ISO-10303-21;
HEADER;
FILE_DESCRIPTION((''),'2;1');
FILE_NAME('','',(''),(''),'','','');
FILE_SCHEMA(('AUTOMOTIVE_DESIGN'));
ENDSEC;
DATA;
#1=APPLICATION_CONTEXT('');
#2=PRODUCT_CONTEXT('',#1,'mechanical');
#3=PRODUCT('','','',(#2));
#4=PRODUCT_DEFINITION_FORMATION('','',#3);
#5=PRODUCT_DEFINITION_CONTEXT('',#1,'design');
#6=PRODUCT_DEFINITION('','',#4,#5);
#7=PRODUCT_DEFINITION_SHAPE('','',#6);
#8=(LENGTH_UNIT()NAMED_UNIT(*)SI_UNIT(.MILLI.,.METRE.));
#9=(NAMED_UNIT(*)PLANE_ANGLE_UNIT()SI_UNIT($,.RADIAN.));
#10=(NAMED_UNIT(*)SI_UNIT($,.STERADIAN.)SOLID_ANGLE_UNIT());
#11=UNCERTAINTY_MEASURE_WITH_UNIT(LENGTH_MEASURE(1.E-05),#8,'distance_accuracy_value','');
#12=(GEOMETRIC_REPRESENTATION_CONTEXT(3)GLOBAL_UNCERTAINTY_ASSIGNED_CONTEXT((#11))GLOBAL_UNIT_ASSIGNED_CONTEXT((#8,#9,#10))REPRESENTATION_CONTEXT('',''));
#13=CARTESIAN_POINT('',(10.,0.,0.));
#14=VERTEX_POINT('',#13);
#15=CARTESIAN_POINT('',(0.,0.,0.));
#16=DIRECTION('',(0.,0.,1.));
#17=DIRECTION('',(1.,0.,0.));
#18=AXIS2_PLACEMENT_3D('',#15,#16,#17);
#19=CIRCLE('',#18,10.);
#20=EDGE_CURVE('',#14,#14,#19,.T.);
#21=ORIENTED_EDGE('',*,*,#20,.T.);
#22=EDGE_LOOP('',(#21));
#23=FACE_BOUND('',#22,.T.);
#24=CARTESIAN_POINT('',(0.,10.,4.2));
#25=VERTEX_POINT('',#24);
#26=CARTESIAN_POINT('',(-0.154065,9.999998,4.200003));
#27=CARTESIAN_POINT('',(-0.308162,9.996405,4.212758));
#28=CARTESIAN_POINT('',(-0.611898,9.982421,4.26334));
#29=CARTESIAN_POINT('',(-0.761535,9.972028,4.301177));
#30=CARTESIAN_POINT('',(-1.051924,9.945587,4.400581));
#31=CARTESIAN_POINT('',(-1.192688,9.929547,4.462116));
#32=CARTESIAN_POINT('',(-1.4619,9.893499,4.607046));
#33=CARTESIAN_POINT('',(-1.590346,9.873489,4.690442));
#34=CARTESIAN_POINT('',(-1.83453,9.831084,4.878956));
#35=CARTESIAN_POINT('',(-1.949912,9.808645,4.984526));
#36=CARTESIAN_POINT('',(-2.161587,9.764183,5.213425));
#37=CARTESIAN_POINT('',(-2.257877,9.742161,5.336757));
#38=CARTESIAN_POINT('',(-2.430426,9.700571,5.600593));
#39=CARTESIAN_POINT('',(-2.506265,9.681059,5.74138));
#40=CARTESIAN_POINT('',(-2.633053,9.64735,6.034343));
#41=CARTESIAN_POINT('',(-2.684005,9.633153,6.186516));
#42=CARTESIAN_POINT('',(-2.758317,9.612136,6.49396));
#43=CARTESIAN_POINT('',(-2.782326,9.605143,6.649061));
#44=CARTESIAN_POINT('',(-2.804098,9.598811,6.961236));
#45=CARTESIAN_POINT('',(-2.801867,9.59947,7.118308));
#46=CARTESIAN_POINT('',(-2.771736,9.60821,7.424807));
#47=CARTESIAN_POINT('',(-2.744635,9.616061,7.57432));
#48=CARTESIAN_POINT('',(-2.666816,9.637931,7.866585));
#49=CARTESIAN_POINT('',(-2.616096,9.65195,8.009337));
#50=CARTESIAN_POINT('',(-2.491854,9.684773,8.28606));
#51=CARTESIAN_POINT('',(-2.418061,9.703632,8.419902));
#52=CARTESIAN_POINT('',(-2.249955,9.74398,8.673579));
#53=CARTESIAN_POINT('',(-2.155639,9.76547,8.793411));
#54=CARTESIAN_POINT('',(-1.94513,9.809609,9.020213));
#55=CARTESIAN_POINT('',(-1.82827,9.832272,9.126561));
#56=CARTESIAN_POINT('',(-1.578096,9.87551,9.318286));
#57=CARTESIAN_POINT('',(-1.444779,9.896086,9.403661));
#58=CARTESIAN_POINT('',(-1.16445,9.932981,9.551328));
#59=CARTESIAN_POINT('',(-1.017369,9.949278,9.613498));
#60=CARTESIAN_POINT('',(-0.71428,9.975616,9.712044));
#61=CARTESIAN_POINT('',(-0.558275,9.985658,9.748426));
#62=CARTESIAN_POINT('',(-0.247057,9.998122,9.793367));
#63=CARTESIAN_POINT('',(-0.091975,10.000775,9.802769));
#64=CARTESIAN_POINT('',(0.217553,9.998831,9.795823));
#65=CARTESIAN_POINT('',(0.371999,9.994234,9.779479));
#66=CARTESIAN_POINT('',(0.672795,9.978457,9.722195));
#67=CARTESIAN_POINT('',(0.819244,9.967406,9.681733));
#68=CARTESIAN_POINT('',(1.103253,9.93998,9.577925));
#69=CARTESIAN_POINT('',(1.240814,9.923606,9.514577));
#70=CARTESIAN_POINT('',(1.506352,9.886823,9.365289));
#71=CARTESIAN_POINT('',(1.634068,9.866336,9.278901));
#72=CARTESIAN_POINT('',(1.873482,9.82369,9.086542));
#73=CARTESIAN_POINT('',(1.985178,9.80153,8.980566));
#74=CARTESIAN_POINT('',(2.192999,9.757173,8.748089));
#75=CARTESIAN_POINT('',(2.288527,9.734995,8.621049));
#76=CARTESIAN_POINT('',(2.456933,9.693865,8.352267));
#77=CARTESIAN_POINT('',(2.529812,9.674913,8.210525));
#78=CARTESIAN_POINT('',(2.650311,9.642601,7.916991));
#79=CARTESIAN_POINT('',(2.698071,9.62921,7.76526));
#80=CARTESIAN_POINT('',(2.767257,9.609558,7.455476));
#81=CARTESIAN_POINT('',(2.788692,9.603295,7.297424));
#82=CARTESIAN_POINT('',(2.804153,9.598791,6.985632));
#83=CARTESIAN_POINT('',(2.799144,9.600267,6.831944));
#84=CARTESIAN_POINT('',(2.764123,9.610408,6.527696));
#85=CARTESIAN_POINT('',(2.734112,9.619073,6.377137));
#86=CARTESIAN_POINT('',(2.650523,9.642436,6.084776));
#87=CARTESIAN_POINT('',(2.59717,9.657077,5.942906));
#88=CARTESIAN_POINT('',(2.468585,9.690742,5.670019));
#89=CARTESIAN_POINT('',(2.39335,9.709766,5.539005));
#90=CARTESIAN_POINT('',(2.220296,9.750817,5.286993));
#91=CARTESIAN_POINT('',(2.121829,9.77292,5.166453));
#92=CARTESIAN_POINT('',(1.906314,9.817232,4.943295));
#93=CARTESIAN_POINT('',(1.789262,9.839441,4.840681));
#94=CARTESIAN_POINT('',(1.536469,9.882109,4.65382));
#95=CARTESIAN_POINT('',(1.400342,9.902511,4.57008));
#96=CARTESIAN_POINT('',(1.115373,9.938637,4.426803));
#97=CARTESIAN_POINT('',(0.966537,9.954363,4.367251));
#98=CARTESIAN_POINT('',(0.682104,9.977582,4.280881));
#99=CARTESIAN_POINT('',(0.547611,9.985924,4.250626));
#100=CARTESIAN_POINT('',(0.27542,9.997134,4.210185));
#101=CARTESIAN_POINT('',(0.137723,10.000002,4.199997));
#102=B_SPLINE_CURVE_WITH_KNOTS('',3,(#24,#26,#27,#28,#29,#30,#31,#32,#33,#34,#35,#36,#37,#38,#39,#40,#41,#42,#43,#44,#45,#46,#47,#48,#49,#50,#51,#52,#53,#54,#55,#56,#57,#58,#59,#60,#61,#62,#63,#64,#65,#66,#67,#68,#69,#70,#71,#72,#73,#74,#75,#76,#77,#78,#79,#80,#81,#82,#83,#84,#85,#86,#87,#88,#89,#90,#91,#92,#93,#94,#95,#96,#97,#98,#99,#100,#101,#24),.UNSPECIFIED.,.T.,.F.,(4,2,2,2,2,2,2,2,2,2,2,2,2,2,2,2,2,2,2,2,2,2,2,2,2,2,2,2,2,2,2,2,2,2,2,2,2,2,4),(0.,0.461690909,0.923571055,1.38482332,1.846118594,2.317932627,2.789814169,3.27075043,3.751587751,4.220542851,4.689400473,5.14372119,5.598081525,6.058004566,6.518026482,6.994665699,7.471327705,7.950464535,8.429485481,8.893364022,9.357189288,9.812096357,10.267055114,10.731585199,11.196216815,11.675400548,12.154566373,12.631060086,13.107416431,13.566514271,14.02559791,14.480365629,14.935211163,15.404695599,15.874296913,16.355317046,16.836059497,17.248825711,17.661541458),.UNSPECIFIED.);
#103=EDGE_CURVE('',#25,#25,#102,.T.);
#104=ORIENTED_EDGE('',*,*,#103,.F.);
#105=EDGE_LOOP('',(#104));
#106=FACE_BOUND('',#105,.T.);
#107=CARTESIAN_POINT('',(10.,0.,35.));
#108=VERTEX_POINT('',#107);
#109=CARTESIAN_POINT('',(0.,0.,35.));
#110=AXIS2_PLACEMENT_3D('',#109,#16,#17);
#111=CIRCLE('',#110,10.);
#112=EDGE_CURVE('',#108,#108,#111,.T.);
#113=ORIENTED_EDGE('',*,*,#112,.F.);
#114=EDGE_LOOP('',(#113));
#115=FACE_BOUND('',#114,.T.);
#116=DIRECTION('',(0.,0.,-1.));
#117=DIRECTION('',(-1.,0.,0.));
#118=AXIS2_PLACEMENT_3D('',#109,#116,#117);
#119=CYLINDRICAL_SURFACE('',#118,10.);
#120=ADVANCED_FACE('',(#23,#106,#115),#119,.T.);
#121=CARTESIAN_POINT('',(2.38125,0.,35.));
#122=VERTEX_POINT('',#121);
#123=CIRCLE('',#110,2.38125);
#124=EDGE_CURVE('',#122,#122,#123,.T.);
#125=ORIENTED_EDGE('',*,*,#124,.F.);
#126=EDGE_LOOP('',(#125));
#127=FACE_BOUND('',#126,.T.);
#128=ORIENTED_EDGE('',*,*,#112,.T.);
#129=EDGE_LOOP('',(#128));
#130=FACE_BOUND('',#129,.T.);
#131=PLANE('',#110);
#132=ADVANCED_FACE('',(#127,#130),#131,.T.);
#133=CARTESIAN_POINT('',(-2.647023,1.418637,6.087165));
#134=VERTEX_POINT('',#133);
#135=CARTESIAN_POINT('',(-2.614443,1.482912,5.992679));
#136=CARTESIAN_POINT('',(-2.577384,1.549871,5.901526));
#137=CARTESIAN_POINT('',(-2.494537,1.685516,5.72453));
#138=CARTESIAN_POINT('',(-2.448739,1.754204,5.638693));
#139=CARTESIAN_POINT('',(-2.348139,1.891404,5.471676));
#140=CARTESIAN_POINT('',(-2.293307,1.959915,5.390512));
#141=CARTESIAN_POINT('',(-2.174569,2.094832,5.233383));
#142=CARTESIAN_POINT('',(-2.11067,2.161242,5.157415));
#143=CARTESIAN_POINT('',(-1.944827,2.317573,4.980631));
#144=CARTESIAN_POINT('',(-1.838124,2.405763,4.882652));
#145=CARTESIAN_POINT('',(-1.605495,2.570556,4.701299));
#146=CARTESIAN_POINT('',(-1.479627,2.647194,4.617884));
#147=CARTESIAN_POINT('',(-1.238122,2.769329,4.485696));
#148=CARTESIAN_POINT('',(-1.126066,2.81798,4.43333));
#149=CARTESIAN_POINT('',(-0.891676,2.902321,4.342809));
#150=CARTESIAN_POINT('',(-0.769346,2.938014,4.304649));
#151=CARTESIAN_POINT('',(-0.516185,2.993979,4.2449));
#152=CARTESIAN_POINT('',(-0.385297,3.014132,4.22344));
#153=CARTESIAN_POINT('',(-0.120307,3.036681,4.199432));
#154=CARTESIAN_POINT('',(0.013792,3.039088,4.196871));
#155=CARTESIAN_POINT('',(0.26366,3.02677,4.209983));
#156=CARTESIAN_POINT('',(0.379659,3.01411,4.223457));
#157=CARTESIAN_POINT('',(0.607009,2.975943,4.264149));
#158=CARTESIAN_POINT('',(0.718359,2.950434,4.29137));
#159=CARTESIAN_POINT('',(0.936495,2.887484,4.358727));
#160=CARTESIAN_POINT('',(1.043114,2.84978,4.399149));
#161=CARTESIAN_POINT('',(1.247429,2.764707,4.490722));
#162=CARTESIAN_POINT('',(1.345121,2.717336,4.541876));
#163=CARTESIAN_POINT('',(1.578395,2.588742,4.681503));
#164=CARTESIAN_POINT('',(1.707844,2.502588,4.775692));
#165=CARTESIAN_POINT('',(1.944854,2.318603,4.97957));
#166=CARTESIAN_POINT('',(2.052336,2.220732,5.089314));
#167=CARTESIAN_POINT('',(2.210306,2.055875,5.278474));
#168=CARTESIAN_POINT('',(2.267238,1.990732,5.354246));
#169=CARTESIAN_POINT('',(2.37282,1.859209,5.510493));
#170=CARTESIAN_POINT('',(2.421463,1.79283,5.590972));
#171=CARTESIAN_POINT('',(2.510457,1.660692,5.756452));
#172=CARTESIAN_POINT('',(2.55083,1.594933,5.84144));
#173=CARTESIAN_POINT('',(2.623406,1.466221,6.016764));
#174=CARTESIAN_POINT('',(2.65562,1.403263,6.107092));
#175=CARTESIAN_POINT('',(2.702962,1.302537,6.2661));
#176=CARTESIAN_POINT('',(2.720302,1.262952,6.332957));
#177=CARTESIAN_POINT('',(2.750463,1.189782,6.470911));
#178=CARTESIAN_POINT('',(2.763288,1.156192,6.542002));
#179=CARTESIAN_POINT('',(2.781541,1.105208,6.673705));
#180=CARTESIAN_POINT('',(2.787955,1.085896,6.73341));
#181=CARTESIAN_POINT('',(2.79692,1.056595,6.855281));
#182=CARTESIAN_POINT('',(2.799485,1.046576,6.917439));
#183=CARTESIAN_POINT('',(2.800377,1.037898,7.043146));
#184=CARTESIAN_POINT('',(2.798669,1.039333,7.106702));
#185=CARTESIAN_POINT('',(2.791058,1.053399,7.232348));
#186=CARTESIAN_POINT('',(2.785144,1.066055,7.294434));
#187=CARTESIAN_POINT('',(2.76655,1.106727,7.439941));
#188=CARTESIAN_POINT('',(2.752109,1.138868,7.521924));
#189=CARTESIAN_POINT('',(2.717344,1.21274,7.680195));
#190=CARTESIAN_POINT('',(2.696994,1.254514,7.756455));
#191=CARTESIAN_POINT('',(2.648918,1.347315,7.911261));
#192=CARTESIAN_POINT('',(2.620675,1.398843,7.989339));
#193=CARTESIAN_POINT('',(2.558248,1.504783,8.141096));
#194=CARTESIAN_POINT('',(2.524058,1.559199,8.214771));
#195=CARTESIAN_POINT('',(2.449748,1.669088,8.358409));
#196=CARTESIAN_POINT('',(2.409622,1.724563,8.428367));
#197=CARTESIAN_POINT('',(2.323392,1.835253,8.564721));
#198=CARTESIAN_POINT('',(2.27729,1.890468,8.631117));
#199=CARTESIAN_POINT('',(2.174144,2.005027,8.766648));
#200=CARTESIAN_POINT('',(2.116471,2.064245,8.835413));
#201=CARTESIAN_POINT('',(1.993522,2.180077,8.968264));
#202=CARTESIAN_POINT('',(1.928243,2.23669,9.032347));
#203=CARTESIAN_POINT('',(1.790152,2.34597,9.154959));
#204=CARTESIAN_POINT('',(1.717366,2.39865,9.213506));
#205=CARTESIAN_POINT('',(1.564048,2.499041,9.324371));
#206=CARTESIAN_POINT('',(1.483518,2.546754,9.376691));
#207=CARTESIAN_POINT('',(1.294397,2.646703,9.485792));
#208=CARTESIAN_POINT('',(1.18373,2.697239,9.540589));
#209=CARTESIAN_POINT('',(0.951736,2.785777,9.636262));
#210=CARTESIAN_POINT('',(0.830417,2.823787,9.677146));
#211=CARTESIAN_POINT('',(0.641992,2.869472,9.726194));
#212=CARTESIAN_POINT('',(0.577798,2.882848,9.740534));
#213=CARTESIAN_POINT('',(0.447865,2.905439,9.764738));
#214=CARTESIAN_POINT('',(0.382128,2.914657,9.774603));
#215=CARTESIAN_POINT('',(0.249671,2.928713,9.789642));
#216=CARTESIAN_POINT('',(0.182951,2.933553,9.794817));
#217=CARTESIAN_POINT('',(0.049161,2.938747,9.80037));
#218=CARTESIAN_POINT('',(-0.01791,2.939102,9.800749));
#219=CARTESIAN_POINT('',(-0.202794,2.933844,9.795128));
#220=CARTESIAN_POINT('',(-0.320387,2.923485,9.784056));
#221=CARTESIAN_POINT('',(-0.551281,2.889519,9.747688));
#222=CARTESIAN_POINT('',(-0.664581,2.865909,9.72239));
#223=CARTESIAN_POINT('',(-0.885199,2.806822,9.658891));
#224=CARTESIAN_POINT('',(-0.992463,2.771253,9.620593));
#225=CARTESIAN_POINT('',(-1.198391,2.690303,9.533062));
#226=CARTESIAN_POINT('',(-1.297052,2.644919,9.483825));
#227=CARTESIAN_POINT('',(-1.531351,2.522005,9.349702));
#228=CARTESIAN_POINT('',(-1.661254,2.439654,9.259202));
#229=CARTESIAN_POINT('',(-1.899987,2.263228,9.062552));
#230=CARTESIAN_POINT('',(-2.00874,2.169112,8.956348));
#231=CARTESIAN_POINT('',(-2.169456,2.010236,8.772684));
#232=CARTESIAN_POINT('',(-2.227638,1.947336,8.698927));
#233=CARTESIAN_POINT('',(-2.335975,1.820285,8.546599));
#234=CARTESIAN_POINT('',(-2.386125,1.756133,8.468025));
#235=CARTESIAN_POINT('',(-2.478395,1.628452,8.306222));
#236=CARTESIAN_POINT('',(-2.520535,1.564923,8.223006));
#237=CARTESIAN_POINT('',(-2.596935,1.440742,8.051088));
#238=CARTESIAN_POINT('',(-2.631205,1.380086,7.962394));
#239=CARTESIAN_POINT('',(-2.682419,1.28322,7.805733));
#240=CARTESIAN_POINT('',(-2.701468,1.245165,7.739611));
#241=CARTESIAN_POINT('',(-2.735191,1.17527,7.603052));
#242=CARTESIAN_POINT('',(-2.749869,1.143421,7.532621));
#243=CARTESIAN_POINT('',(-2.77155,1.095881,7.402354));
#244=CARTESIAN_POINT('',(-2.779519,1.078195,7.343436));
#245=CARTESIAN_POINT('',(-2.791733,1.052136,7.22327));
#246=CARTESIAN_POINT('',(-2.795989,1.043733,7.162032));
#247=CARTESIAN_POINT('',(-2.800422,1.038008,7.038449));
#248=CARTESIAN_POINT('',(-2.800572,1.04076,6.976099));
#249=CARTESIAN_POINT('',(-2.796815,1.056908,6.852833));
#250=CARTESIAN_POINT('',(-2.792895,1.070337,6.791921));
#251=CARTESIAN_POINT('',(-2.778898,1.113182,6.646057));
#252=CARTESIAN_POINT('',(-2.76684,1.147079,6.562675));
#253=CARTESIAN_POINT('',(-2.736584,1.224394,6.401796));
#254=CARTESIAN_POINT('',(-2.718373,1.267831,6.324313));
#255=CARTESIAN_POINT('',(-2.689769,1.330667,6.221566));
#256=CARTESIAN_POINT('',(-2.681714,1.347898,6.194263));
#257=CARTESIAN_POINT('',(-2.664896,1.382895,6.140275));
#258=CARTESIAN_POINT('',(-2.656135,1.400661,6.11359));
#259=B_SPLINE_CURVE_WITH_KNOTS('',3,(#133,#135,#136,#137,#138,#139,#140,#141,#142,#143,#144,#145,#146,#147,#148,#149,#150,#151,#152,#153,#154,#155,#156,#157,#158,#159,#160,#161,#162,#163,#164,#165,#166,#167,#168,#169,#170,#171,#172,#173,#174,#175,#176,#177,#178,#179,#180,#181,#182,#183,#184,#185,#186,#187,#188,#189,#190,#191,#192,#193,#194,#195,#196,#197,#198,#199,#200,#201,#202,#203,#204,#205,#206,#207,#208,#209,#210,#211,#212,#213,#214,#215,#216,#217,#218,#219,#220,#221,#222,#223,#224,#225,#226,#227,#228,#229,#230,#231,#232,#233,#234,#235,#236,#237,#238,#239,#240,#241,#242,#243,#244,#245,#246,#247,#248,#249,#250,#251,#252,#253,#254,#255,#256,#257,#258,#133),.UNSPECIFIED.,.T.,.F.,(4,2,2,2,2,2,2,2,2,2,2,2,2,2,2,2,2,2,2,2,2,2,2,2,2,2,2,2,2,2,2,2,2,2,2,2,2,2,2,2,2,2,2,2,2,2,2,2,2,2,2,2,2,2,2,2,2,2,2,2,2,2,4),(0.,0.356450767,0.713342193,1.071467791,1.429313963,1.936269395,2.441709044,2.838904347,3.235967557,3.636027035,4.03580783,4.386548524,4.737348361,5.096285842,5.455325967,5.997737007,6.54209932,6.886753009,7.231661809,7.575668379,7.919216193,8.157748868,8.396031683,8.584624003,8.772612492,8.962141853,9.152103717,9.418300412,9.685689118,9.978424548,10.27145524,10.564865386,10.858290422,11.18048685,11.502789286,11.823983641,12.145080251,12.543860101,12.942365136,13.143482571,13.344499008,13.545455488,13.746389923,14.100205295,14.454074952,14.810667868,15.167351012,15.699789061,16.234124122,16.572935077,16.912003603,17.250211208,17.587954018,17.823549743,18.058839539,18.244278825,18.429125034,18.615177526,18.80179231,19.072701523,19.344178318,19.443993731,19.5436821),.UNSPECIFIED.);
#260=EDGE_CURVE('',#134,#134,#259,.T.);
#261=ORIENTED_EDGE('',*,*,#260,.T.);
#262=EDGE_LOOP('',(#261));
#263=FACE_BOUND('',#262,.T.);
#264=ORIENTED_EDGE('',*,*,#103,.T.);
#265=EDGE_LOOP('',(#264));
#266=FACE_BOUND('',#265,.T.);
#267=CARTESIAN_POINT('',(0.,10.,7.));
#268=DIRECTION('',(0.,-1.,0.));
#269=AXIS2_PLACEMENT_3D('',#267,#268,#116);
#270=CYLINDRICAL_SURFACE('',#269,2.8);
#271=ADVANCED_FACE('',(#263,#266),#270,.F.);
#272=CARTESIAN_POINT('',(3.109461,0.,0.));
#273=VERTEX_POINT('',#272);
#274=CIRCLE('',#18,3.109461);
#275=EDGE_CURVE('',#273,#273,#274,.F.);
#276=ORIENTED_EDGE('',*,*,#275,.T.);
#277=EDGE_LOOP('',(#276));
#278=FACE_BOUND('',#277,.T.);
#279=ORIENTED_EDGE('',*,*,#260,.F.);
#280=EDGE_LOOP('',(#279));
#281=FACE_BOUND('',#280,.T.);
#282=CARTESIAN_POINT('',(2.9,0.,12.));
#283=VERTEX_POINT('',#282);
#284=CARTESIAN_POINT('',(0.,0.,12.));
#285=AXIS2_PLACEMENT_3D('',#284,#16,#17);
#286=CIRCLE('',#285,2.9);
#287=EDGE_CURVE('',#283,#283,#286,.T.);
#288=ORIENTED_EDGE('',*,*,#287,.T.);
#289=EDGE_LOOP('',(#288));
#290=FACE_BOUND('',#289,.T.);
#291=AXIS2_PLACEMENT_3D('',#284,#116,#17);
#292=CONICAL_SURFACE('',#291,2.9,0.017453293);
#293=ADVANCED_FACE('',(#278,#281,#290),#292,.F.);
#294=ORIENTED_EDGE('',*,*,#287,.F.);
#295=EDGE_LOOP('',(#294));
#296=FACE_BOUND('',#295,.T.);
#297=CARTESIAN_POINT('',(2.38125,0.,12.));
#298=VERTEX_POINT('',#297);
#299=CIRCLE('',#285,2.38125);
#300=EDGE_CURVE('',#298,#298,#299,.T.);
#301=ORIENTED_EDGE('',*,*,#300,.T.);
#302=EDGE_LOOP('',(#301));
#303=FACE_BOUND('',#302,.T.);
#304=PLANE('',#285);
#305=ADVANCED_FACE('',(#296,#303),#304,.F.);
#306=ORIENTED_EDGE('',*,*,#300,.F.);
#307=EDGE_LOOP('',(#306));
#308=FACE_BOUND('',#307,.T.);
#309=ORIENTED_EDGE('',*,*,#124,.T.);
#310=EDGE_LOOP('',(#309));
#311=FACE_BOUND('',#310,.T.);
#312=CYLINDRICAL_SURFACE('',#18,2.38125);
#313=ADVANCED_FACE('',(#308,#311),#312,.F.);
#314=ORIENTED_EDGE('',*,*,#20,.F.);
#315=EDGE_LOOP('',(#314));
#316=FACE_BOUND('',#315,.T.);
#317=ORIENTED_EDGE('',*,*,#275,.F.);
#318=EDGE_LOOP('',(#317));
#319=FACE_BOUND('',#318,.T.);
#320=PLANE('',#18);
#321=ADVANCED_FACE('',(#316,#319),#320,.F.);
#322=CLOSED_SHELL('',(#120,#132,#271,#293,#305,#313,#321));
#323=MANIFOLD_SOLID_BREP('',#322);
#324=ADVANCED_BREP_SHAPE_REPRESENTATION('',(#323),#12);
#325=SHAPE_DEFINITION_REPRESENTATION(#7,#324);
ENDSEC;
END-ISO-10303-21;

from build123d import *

# Parameters (mm, degrees)
SKETCH1_R           = 10
BOSS_EXTRUDE1_DEPTH = 35
SKETCH2_R           = 2.9
CUT_EXTRUDE1_DEPTH  = 12
CUT_EXTRUDE1_DRAFT  = 1
SKETCH4_R           = 2.38125
CUT_EXTRUDE2_DEPTH  = 35
SKETCH5_R           = 2.8
CUT_EXTRUDE3_DEPTH  = 38.749172176


with BuildPart() as part:
    # Sketch1 → Boss-Extrude1 (new body)
    with BuildSketch(Plane.XY):
        Circle(SKETCH1_R)
    extrude(amount=BOSS_EXTRUDE1_DEPTH)


with BuildPart() as cut_extrude1_tool:
    # Sketch2 → Cut-Extrude1 (with draft: the straight prism first)
    with BuildSketch(Plane.XY.offset(12)):
        Circle(SKETCH2_R)
    extrude(amount=-CUT_EXTRUDE1_DEPTH)
    # Cut-Extrude1: the draft: its side faces are tilted about the plane it starts from
    cut_extrude1_sides = [cut_extrude1_tool.faces().sort_by_distance(p)[0] for p in [
        (-2.9, 0, 6),
    ]]
    draft(cut_extrude1_sides, Plane.XY.offset(12), CUT_EXTRUDE1_DRAFT)


with BuildPart() as part_1:
    add(part.part)

    # Cut-Extrude1: cut by cut_extrude1_tool
    add(cut_extrude1_tool.part, mode=Mode.SUBTRACT)

    # Sketch4 → Cut-Extrude2 (cut)
    with BuildSketch(Plane.XY.offset(35)):
        Circle(SKETCH4_R)
    extrude(amount=-CUT_EXTRUDE2_DEPTH, mode=Mode.SUBTRACT)

    # Sketch5 → Cut-Extrude3 (cut, through all)
    with BuildSketch(Plane(origin=(0, 0, 0), x_dir=(1, 0, 0), z_dir=(0, 1, 0))):
        with Locations(Location((0, -7, 0), (0, 0, 90))):
            Circle(SKETCH5_R)
    extrude(amount=CUT_EXTRUDE3_DEPTH, mode=Mode.SUBTRACT)


solid = part_1.part
